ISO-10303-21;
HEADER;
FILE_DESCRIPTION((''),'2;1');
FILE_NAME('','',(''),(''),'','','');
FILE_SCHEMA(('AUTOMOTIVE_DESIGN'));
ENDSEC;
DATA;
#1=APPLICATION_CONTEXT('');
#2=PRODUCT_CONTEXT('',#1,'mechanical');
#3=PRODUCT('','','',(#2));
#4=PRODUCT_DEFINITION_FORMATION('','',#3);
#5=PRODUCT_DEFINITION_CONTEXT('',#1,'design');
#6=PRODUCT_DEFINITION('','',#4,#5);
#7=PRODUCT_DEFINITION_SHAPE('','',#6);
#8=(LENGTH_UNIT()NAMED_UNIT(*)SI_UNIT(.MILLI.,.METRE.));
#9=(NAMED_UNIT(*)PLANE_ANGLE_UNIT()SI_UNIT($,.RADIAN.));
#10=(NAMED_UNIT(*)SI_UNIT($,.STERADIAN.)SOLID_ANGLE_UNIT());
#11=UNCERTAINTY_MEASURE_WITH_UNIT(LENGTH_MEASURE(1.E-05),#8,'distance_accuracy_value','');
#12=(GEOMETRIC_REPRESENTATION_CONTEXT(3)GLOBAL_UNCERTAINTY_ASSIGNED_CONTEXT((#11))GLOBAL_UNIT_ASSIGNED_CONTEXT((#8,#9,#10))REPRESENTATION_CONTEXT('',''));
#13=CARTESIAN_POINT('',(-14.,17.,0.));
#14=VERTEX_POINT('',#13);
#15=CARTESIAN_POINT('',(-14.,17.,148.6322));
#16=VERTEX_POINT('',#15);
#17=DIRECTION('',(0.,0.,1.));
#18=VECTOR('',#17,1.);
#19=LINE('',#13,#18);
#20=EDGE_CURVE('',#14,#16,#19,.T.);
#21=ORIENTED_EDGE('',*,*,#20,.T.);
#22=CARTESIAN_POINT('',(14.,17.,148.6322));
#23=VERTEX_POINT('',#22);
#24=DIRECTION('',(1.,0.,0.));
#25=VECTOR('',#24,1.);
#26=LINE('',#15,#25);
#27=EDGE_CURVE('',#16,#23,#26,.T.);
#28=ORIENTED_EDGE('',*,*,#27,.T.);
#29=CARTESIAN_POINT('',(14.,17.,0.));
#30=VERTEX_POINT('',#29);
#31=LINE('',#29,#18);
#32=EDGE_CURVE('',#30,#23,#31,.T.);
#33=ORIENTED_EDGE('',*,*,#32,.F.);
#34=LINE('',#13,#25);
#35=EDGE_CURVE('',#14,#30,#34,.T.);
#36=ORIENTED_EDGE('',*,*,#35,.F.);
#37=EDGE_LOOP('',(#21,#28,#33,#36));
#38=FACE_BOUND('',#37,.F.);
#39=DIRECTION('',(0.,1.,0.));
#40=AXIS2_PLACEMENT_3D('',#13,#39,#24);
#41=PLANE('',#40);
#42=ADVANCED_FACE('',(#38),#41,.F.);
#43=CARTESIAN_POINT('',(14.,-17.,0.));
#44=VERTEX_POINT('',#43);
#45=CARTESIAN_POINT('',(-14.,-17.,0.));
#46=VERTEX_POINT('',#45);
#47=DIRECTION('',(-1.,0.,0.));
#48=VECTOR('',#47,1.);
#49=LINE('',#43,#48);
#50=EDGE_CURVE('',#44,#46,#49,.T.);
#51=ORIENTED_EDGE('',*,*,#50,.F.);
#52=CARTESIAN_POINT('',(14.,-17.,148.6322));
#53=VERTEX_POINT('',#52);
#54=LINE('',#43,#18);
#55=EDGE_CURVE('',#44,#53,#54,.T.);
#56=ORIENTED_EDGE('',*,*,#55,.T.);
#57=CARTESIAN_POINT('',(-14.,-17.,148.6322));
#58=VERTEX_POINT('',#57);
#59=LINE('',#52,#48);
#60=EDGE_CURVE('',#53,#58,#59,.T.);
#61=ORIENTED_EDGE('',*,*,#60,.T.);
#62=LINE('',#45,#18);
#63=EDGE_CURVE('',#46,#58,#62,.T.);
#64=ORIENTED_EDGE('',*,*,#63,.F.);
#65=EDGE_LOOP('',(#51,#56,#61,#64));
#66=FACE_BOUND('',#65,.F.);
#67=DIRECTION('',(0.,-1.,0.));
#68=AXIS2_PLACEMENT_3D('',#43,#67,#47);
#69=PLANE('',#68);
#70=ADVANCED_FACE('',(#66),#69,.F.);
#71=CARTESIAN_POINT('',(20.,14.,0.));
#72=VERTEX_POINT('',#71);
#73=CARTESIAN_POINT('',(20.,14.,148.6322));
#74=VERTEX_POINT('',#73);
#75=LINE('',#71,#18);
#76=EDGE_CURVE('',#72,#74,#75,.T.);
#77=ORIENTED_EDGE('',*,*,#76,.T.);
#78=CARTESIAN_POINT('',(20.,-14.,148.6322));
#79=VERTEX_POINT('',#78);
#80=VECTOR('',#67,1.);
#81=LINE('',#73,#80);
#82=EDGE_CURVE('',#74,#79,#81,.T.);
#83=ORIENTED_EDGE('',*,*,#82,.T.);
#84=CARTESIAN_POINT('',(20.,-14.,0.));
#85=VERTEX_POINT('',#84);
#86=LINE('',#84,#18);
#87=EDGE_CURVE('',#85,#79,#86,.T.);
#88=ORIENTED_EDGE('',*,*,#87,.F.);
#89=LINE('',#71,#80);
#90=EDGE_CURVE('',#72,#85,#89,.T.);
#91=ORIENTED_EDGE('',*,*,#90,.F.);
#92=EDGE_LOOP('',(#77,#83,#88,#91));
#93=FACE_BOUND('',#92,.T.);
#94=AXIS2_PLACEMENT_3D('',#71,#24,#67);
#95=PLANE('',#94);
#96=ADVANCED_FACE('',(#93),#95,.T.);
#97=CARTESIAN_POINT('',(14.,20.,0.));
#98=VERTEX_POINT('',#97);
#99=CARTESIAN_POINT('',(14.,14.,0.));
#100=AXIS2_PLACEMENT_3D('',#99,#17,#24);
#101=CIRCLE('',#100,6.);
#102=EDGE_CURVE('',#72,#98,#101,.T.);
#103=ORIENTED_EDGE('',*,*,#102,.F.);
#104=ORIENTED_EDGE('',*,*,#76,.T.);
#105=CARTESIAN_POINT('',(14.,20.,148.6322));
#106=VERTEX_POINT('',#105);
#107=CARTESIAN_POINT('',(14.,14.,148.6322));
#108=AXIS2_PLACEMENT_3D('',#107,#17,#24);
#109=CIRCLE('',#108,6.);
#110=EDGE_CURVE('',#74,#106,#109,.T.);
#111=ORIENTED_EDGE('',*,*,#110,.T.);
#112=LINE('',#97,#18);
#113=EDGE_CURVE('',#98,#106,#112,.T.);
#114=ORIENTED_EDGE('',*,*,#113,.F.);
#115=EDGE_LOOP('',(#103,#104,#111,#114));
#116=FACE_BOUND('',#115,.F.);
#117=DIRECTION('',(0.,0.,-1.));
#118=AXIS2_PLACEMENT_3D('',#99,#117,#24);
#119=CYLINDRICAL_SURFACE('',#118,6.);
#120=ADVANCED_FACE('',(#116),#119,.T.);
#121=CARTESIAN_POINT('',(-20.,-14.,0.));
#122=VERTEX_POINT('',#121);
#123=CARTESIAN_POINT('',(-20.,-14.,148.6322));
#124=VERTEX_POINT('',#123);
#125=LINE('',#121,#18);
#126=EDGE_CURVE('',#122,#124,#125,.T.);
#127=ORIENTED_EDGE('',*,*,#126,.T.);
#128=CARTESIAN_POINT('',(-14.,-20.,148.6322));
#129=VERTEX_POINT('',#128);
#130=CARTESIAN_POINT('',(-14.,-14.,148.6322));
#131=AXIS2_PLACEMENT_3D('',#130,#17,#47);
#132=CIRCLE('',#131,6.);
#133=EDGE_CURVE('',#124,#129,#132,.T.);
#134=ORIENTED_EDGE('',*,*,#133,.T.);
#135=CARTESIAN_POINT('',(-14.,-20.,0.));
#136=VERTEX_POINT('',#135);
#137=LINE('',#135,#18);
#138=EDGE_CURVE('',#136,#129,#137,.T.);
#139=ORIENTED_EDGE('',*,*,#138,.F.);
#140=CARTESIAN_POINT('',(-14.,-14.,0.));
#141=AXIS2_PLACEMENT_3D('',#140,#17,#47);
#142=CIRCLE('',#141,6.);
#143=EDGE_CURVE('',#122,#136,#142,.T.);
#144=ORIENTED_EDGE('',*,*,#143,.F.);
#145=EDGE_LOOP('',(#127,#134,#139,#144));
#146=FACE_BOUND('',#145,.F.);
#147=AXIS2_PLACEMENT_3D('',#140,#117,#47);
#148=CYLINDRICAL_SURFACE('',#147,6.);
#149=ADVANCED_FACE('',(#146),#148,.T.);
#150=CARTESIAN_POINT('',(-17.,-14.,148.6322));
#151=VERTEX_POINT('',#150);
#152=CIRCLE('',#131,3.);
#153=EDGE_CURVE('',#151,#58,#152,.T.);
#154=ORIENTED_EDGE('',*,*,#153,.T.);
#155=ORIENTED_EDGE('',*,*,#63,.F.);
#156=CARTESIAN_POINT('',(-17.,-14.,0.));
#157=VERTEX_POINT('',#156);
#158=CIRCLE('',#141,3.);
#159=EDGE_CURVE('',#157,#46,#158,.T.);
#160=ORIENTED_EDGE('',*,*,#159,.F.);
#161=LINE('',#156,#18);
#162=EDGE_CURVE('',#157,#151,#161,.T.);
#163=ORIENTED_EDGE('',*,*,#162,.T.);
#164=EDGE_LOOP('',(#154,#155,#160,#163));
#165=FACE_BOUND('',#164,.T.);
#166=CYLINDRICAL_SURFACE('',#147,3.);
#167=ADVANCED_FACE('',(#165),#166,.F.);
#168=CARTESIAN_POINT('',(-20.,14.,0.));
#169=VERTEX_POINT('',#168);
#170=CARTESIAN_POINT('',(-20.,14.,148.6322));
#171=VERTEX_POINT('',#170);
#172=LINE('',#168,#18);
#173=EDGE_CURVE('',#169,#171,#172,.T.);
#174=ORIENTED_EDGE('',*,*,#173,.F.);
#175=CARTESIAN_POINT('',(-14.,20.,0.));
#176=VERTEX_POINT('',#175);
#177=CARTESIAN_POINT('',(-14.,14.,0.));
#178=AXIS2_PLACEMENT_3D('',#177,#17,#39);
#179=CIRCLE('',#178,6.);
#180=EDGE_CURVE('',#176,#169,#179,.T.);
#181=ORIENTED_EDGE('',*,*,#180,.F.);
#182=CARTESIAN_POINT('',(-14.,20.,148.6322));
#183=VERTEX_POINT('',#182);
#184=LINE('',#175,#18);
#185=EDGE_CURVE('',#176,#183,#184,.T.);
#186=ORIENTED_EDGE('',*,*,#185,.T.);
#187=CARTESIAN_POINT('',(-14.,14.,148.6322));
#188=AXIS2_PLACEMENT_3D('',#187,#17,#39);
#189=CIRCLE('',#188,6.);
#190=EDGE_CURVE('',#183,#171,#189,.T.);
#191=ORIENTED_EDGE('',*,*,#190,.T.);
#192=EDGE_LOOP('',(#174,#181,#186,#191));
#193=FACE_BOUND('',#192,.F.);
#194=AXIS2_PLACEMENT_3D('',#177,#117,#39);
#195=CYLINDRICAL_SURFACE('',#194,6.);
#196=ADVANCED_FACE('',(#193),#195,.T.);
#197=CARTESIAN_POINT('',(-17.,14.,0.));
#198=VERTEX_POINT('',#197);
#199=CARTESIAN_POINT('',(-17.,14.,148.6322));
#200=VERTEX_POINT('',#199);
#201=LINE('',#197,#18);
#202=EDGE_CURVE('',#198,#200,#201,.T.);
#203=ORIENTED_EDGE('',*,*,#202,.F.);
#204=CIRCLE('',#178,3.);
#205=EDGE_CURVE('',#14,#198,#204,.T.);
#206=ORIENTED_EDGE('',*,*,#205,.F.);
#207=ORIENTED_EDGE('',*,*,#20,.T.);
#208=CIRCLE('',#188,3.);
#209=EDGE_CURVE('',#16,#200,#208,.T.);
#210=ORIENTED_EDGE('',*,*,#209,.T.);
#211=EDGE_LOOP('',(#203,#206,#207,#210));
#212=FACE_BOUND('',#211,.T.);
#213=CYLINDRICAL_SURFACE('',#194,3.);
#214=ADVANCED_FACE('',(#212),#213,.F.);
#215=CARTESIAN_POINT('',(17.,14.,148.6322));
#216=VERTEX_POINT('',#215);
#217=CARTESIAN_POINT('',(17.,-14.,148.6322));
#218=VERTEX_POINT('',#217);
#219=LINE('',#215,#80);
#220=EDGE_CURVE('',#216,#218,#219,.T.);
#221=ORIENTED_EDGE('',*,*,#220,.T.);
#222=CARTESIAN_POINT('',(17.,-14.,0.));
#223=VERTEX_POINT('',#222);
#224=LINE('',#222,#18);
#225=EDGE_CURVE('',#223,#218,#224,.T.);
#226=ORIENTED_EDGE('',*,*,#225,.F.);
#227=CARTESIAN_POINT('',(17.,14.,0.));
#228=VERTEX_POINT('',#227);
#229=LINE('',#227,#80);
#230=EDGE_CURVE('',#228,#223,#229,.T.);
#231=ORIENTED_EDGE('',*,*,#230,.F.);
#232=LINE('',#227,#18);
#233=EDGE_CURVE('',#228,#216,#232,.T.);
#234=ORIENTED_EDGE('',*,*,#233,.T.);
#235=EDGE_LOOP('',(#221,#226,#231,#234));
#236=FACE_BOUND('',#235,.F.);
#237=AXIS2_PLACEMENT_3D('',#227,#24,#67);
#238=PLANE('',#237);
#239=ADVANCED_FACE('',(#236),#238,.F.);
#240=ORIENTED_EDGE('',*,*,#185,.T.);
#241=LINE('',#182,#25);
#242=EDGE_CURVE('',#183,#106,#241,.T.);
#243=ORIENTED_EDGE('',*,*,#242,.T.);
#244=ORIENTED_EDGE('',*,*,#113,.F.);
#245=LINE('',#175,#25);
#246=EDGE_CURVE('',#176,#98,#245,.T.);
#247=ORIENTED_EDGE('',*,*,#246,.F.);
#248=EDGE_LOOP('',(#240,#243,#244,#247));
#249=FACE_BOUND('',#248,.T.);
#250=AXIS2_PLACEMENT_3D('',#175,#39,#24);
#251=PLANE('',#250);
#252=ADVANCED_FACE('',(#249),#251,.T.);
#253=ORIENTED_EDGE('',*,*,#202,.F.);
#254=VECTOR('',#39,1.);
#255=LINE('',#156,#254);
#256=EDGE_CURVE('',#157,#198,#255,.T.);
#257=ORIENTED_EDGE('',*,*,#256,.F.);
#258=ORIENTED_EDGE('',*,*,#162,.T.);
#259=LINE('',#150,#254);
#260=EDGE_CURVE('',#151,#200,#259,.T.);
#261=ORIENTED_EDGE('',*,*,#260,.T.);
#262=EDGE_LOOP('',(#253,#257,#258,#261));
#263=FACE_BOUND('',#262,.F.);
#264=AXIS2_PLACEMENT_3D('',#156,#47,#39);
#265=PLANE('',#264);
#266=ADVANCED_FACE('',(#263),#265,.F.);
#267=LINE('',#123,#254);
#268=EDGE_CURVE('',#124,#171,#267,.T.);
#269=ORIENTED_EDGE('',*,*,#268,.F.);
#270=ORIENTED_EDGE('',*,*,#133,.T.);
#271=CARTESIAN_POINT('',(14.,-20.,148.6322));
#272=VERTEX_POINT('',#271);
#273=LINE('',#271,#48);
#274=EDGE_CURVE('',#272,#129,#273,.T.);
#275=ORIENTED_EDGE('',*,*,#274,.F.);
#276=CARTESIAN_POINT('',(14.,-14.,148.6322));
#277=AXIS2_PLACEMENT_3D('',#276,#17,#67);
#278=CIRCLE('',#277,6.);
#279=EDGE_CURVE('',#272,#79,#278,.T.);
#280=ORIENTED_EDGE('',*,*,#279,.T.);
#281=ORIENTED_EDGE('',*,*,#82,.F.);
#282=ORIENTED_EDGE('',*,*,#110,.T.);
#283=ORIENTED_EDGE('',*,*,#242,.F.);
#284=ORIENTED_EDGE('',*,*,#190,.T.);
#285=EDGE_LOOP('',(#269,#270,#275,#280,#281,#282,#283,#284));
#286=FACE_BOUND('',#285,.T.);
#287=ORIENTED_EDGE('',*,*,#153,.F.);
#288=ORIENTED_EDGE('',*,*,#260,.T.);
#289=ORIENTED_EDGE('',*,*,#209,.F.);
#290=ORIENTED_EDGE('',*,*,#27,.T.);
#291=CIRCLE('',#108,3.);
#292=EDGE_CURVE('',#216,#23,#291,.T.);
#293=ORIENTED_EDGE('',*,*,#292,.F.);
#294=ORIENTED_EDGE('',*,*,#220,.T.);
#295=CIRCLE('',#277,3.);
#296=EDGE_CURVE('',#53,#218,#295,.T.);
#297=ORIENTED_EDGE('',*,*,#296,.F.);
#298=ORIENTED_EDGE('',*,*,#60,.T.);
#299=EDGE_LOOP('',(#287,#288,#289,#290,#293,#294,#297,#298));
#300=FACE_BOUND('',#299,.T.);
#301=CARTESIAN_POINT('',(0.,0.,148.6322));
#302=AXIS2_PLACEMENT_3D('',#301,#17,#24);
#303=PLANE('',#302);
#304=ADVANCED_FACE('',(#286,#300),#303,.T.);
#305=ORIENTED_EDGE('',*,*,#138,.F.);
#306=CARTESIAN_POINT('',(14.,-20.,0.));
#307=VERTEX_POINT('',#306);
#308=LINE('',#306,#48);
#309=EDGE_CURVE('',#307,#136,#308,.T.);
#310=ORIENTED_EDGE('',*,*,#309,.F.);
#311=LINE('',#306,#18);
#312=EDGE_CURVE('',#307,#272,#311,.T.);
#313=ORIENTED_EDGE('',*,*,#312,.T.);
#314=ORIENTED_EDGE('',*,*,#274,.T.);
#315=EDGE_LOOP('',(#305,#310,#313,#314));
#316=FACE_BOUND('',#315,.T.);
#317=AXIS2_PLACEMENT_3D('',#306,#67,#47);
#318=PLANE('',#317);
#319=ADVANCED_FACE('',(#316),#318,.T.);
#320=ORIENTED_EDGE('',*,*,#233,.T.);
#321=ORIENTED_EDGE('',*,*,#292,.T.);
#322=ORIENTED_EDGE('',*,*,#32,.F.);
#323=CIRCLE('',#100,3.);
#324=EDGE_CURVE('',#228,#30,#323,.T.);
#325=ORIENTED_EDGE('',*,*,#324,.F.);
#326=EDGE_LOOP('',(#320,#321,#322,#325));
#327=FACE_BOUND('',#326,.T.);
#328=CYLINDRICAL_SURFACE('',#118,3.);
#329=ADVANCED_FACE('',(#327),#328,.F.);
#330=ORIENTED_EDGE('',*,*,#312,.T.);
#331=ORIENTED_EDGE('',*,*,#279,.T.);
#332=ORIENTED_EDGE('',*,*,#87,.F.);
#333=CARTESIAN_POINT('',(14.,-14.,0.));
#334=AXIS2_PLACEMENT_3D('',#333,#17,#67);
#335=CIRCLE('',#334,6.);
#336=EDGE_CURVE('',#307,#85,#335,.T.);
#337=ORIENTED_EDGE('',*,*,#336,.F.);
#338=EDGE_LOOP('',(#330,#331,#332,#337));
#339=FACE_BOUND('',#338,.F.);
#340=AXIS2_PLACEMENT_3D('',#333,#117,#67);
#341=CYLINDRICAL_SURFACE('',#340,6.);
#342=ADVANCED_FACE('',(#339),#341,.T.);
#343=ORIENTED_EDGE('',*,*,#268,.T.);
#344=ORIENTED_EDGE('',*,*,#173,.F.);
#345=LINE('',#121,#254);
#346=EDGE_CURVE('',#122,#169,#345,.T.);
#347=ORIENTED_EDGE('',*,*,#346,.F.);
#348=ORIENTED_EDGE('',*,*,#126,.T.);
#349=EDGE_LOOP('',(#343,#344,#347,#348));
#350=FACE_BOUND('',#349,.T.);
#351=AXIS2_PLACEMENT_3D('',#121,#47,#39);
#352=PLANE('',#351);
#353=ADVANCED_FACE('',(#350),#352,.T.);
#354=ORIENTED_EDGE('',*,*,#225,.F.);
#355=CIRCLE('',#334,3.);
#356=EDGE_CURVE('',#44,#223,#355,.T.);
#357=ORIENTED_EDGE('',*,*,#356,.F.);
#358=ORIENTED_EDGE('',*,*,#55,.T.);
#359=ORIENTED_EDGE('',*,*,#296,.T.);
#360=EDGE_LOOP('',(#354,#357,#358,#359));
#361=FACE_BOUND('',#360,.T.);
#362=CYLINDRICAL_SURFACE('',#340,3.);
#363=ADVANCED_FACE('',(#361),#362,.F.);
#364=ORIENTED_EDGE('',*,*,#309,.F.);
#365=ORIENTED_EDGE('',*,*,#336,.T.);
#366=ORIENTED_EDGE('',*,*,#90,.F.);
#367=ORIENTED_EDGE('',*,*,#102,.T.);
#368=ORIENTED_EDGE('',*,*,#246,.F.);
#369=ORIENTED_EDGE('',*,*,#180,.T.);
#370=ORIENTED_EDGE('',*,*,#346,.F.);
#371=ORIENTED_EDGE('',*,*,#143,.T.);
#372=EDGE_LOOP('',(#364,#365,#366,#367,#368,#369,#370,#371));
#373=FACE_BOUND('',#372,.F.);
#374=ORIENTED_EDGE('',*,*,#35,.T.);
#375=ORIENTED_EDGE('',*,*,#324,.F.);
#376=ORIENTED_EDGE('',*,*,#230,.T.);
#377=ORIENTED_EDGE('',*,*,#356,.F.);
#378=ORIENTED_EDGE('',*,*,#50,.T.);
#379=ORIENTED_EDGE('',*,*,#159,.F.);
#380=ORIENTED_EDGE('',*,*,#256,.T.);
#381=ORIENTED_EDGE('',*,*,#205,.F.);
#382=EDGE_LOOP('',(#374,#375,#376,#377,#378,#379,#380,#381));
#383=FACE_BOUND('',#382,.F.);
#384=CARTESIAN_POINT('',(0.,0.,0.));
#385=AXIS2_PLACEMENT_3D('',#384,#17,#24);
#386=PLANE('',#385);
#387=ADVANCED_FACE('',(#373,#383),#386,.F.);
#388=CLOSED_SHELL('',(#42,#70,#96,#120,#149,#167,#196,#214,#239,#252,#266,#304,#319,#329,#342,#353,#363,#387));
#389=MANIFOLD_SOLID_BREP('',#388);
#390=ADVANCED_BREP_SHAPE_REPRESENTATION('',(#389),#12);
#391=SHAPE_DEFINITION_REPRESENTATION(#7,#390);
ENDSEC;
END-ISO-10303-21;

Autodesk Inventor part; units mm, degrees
ref_plane "YZ Plane" through (0, 0, 0) normal (1, 0, 0) x (0, 1, 0)
ref_plane "Start Plane" through (0, 0, 0) normal (0, 0, 1) x (1, 0, 0)
ref_plane "End Plane" through (0, 0, 148.6322) normal (0, 0, 1) x (1, 0, 0)
sketch "Sketch" plane through (0, 0, 0) normal (0, 0, 1) x (1, 0, 0)
  line L0 (-20, -14) -> (-20, 14)
  line L1 (-14, 20) -> (14, 20)
  line L2 (20, 14) -> (20, -14)
  line L3 (14, -20) -> (-14, -20)
  arc A0 (-20, -14) -> (-14, -20) centre (-14, -14) ccw
  arc A1 (20, 14) -> (14, 20) centre (14, 14) ccw
  arc A2 (-14, 20) -> (-20, 14) centre (-14, 14) ccw
  arc A3 (14, -20) -> (20, -14) centre (14, -14) ccw
  arc A4 (-14, 17) -> (-17, 14) centre (-14, 14) ccw
  line L4 (-14, 17) -> (14, 17)
  arc A5 (17, 14) -> (14, 17) centre (14, 14) ccw
  line L5 (17, 14) -> (17, -14)
  arc A6 (14, -17) -> (17, -14) centre (14, -14) ccw
  line L6 (14, -17) -> (-14, -17)
  arc A7 (-17, -14) -> (-14, -17) centre (-14, -14) ccw
  line L7 (-17, -14) -> (-17, 14)
  line L8 (0, 29.7397) -> (0, -29.7397) construction
  line L9 (-29.7397, 0) -> (29.7397, 0) construction
  dimension "d7" = 6
  dimension "d9" = 40
  dimension "d11" = 40
  dimension "d12" = 3
  dimension "d15" = 20
  dimension "d16" = 20
extrude "Body" add sketch "Sketch" along normal up to surface (148.6322 mm away) from surface at 0
sketch "Sketch3" plane through (0, 0, 0) normal (0, 0, 1) x (1, 0, 0)
  line L0 (0, 0) -> (10, 0)
ref_plane "Work Plane3" through (0, 0, 0) normal (0, -1, 0) x (1, 0, 0)
sketch "Sketch4" plane through (0, 0, 0) normal (0, -1, 0) x (1, 0, 0)
  line L0 (-2, 0) -> (12, 0) projected
  line L1 (-2, 148.6322) -> (12, 148.6322) projected
  dimension "d18" = 148.6322
equation "\"d7\" = G_IR"
equation "\"d9\" = G_W"
equation "\"d11\" = G_H"
equation "\"d12\" = G_T"
equation "\"d15\" = 0.5 * d9"
equation "\"d16\" = 0.5 * d11"
equation "\"d3\" = G_L"
equation "\"G_W\" = 40"
equation "\"G_H\" = 40"
equation "\"G_T\" = 3"
equation "\"G_IR\" = 6"
equation "\"G_L\" = d18"
equation "\"G_OFFSET_START\" = 0"
equation "\"G_OFFSET_END\" = 0"
equation "\"d14\" = G_OFFSET_END + B_L"
equation "\"B_L\" = 148.63223"
properties part number "ISO 10799-2 - 40x40x3 - 148,63" material "Steel, Mild"
